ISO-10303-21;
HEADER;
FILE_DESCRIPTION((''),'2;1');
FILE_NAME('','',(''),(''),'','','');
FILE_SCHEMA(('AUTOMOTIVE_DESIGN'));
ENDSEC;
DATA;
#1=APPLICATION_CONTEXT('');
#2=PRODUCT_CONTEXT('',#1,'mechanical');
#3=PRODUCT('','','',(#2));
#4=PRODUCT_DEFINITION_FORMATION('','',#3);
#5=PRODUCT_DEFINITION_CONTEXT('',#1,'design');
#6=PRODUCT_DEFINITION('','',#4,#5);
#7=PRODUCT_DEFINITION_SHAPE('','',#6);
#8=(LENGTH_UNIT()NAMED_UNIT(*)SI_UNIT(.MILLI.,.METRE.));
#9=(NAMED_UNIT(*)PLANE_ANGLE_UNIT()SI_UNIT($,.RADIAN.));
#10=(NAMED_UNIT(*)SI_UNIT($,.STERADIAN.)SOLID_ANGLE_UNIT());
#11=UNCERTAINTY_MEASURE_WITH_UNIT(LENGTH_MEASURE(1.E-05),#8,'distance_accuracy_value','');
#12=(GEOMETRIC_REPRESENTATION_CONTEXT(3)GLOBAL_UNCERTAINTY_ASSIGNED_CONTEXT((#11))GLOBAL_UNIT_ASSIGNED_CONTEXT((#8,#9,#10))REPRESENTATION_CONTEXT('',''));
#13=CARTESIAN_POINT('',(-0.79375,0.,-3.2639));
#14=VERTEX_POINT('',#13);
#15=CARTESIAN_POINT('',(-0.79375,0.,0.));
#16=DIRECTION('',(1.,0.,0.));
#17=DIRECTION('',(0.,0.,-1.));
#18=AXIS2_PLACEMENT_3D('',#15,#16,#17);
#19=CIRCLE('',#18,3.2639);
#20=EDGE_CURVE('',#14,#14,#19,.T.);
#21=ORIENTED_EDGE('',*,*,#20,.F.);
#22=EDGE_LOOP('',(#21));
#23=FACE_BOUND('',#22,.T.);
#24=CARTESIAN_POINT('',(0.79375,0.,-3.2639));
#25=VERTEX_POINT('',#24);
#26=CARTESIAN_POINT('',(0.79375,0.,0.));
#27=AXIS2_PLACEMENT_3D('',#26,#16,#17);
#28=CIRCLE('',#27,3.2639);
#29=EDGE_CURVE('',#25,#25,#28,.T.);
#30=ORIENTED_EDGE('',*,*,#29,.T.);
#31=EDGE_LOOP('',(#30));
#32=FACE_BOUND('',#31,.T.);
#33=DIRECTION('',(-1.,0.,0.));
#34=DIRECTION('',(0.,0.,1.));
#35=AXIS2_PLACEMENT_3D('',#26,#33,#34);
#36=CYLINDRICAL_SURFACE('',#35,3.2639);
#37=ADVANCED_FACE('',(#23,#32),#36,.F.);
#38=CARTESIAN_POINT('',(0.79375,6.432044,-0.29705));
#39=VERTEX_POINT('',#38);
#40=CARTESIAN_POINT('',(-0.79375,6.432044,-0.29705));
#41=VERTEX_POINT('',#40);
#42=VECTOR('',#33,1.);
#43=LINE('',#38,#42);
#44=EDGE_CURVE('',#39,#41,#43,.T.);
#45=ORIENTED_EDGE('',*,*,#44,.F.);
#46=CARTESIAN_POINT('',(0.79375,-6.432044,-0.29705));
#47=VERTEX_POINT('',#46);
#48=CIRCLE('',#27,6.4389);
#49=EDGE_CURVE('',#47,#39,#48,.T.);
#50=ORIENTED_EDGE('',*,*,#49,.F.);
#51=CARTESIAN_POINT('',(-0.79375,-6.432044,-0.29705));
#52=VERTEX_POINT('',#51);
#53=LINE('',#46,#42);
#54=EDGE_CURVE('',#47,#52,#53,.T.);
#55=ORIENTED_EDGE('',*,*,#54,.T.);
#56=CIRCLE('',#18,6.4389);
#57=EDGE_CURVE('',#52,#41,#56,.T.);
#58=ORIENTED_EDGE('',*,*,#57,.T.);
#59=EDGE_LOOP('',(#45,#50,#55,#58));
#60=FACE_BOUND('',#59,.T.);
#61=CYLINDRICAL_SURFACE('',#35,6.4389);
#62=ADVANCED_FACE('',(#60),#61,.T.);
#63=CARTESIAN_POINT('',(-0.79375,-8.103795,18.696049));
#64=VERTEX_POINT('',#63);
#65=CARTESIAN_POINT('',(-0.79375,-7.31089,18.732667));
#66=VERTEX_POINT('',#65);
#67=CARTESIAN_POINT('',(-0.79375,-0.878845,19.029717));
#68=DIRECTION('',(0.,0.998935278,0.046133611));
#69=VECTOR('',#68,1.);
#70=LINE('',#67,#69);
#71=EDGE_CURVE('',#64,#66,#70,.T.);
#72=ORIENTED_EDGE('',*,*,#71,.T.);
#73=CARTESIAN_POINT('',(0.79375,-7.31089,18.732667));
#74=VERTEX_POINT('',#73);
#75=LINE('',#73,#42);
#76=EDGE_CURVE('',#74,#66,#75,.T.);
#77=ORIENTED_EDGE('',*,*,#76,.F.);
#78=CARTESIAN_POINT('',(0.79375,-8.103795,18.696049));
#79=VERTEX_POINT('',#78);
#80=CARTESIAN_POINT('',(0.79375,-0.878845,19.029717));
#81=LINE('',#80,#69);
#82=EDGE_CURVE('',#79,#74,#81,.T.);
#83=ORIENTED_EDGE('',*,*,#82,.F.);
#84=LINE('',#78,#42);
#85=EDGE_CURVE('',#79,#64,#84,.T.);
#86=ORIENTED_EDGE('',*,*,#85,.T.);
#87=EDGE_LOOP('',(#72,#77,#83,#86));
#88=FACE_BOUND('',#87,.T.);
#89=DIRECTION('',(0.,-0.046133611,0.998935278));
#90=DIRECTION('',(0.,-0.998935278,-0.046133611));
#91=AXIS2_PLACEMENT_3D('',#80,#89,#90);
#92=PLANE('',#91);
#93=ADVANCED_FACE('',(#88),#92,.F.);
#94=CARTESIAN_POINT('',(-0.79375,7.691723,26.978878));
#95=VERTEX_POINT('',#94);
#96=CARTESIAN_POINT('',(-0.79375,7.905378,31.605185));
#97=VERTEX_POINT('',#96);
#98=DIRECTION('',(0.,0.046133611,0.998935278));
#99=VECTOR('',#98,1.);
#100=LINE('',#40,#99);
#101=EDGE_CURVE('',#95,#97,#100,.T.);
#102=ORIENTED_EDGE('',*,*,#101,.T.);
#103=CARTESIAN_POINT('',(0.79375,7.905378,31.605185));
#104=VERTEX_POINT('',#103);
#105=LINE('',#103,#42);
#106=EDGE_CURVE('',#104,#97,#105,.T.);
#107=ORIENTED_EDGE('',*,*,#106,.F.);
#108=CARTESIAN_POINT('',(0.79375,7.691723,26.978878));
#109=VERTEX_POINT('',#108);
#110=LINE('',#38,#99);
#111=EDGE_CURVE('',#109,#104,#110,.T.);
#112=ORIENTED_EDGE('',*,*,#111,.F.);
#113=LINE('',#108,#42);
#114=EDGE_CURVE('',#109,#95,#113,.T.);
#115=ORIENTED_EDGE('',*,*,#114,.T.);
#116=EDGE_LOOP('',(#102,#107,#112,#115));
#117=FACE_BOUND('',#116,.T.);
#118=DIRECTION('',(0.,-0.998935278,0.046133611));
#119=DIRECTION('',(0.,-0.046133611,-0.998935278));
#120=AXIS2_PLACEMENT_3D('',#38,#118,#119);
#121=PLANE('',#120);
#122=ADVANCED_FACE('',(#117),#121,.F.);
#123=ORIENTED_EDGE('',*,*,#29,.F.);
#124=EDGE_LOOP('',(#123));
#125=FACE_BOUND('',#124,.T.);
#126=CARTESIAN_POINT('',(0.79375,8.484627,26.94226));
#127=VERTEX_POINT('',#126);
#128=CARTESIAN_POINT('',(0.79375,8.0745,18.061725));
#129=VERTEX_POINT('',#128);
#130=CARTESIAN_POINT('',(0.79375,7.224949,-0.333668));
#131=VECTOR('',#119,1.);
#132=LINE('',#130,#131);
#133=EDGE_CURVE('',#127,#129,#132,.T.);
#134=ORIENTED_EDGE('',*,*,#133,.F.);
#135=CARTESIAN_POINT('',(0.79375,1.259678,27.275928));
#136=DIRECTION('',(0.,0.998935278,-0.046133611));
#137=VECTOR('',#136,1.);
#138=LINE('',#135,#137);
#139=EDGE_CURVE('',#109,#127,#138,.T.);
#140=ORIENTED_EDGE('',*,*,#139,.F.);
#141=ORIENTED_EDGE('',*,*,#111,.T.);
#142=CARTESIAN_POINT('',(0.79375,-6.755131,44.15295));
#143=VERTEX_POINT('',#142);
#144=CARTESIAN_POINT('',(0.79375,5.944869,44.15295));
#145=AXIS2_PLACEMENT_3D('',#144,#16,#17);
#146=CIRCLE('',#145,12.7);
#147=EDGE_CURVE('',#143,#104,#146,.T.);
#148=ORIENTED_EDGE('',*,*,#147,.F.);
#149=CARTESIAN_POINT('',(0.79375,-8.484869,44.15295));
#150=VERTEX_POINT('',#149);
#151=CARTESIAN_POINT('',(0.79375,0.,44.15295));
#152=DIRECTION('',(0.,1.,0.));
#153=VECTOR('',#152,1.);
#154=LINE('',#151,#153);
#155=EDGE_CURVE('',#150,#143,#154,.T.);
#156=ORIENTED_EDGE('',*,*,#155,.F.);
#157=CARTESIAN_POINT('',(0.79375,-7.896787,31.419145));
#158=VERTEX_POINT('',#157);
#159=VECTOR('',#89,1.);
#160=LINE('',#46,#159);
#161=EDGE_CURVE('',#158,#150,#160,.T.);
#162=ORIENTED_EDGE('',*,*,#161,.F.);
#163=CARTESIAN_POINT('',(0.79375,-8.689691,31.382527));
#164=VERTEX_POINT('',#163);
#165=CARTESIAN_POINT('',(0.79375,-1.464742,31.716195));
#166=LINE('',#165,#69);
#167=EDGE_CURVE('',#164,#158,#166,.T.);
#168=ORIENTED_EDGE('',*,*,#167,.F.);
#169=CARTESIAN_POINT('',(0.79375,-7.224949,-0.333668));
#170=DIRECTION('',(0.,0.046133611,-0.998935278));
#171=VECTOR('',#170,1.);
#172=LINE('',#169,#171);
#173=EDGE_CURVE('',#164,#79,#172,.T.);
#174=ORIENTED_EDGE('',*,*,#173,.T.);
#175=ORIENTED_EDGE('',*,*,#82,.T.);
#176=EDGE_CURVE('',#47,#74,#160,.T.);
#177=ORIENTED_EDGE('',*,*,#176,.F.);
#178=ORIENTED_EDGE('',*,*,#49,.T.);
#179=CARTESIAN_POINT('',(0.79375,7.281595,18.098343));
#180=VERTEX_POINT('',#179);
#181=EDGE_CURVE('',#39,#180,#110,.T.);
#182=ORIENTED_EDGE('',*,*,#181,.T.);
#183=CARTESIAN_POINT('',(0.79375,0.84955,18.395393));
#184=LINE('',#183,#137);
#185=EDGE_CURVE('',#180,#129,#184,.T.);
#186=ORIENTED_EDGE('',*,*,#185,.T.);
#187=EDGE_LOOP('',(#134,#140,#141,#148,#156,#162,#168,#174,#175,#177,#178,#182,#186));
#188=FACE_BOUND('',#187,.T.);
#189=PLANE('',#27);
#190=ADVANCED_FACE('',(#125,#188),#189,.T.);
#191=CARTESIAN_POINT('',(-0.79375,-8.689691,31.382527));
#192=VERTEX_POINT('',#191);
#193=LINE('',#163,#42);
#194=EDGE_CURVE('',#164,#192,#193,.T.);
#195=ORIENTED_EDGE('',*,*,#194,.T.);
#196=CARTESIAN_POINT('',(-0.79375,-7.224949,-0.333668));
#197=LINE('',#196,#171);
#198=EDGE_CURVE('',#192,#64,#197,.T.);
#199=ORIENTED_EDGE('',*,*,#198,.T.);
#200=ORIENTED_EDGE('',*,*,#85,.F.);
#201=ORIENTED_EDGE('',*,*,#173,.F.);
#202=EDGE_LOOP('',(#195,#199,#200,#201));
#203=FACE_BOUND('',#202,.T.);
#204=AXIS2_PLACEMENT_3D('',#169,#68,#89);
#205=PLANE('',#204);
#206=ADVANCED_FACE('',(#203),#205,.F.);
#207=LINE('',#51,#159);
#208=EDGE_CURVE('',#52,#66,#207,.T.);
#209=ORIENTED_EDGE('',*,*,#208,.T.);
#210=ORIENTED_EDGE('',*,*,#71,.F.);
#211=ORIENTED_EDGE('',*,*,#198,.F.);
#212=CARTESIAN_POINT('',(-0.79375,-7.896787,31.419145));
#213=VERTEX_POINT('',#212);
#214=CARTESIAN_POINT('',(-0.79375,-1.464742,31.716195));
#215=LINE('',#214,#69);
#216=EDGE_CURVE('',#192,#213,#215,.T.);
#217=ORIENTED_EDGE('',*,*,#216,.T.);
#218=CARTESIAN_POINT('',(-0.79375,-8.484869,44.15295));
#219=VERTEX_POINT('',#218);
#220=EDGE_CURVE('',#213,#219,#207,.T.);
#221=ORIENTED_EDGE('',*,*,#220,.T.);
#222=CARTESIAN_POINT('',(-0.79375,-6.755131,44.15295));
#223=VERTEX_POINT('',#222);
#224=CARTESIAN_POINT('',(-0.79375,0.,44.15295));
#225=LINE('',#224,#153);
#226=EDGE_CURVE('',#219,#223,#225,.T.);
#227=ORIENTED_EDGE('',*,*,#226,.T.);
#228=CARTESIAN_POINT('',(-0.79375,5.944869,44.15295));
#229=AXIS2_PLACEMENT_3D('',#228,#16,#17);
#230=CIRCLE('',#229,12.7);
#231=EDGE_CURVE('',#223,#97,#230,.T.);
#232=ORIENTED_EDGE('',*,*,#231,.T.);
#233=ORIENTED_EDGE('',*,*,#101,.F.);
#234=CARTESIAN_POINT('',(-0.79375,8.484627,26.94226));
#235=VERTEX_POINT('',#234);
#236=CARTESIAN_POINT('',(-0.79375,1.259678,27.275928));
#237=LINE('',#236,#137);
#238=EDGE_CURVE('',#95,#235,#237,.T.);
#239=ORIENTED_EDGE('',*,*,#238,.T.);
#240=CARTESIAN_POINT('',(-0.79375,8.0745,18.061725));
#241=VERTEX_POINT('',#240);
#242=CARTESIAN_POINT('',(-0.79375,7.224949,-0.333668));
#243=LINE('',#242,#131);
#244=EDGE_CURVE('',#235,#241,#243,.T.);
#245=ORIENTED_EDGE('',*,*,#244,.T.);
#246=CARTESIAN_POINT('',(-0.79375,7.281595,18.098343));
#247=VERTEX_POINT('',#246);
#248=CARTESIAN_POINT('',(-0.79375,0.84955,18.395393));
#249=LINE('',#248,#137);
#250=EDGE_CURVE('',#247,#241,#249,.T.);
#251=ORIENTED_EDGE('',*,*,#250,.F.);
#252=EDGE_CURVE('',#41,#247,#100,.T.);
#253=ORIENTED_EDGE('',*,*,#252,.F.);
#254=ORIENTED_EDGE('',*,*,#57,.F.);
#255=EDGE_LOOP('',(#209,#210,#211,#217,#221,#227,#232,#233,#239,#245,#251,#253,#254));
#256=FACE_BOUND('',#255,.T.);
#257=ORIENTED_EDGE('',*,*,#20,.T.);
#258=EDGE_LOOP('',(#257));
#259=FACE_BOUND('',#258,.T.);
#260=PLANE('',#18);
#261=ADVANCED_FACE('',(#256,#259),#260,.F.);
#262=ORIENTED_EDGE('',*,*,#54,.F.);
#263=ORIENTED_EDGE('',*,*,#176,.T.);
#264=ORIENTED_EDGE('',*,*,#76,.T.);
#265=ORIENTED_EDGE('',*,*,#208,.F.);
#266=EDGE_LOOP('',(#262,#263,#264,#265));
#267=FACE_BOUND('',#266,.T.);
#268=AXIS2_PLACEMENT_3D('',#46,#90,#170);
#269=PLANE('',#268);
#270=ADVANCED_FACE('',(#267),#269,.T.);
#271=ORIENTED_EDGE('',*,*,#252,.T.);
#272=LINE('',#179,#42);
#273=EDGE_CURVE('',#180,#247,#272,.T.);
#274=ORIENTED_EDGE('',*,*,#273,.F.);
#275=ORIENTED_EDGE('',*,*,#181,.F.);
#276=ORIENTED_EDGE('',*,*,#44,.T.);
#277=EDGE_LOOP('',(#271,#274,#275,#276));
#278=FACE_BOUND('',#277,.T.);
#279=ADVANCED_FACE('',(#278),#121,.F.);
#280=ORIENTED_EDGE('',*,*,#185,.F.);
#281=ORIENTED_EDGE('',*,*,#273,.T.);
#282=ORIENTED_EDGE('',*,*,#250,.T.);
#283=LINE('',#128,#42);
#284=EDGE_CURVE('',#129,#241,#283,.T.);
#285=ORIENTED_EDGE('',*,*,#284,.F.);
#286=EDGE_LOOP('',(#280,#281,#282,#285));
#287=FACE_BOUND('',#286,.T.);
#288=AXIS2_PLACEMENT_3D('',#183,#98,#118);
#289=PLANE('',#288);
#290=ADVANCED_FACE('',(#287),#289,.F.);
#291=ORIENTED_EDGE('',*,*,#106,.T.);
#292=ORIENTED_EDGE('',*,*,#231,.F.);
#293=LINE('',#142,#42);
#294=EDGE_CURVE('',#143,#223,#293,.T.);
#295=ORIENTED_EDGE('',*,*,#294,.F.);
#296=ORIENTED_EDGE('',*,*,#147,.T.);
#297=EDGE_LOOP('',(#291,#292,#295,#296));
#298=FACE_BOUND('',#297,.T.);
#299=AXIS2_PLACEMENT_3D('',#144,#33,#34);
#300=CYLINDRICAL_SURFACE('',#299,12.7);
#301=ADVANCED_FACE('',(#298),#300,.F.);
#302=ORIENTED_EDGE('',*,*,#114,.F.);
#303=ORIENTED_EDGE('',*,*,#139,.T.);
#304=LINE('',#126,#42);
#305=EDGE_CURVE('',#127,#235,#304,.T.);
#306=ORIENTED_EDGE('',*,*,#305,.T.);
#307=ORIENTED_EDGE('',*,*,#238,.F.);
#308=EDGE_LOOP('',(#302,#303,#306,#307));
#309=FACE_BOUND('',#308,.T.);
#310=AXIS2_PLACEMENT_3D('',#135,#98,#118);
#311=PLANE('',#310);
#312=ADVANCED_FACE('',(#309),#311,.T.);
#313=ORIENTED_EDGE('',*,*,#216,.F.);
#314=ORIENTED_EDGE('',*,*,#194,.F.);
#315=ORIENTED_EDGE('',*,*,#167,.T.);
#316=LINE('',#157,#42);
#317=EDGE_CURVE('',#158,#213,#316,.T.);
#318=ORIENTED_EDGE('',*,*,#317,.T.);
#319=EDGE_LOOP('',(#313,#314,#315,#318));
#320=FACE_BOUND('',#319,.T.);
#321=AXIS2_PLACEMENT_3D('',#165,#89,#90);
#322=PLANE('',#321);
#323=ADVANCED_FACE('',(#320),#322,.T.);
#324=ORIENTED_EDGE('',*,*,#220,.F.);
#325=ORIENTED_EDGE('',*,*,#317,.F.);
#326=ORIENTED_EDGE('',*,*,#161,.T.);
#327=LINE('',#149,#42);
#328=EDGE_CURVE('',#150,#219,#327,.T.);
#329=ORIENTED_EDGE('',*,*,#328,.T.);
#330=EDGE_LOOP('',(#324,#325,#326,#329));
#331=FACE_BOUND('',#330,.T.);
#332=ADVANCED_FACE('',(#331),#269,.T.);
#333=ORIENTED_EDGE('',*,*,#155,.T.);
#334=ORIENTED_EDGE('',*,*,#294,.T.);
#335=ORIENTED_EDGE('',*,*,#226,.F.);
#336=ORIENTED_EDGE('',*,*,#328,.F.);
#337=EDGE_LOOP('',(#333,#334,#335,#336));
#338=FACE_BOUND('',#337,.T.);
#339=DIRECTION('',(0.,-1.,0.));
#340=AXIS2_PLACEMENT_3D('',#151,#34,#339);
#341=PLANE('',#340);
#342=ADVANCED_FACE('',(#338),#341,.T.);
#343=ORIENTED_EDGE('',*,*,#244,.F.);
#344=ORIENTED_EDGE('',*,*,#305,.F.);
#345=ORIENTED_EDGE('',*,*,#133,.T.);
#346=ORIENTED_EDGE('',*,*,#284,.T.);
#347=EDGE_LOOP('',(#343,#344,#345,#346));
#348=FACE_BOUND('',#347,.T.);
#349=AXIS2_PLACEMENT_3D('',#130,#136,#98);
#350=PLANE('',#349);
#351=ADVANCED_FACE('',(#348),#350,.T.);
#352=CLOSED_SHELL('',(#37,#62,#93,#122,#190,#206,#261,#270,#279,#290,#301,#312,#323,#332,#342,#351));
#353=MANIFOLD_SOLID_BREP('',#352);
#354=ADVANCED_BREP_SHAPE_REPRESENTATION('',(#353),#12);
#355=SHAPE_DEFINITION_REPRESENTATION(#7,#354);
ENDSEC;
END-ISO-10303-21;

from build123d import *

# Parameters (mm, degrees)
SKETCH1_R           = 3.2639
BOSS_EXTRUDE1_DEPTH = 0.79375


with BuildPart() as part:
    # Sketch1 → Boss-Extrude1 (new, symmetric)
    with BuildSketch(Plane(origin=(0, 0, 0), x_dir=(0, 0, -1), z_dir=(1, 0, 0))):
        with BuildLine():
            Line((-44.152950291, -6.755130934), (-44.152950291, -8.484869066))
            Line((-44.152950291, -8.484869066), (-31.419145372, -7.896786517))
            Line((-31.419145372, -7.896786517), (-31.382526818, -8.689691394))
            Line((-31.382526818, -8.689691394), (-18.696048786, -8.103794532))
            Line((-18.696048786, -8.103794532), (-18.73266734, -7.310889655))
            Line((-18.73266734, -7.310889655), (0.297049709, -6.432044362))
            ThreePointArc((0.297049709, -6.432044362), (6.4389, 0), (0.297049709, 6.432044362))
            Line((0.297049709, 6.432044362), (-18.098343438, 7.281594812))
            Line((-18.098343438, 7.281594812), (-18.061724884, 8.074499689))
            Line((-18.061724884, 8.074499689), (-26.942259507, 8.484627492))
            Line((-26.942259507, 8.484627492), (-26.978878061, 7.691722615))
            Line((-26.978878061, 7.691722615), (-31.605185419, 7.905378364))
            ThreePointArc((-31.605185419, 7.905378364), (-34.50441496, -2.313203709), (-44.152950291, -6.755130934))
        make_face()
        Circle(SKETCH1_R, mode=Mode.SUBTRACT)
    extrude(amount=BOSS_EXTRUDE1_DEPTH, both=True)


solid = part.part
